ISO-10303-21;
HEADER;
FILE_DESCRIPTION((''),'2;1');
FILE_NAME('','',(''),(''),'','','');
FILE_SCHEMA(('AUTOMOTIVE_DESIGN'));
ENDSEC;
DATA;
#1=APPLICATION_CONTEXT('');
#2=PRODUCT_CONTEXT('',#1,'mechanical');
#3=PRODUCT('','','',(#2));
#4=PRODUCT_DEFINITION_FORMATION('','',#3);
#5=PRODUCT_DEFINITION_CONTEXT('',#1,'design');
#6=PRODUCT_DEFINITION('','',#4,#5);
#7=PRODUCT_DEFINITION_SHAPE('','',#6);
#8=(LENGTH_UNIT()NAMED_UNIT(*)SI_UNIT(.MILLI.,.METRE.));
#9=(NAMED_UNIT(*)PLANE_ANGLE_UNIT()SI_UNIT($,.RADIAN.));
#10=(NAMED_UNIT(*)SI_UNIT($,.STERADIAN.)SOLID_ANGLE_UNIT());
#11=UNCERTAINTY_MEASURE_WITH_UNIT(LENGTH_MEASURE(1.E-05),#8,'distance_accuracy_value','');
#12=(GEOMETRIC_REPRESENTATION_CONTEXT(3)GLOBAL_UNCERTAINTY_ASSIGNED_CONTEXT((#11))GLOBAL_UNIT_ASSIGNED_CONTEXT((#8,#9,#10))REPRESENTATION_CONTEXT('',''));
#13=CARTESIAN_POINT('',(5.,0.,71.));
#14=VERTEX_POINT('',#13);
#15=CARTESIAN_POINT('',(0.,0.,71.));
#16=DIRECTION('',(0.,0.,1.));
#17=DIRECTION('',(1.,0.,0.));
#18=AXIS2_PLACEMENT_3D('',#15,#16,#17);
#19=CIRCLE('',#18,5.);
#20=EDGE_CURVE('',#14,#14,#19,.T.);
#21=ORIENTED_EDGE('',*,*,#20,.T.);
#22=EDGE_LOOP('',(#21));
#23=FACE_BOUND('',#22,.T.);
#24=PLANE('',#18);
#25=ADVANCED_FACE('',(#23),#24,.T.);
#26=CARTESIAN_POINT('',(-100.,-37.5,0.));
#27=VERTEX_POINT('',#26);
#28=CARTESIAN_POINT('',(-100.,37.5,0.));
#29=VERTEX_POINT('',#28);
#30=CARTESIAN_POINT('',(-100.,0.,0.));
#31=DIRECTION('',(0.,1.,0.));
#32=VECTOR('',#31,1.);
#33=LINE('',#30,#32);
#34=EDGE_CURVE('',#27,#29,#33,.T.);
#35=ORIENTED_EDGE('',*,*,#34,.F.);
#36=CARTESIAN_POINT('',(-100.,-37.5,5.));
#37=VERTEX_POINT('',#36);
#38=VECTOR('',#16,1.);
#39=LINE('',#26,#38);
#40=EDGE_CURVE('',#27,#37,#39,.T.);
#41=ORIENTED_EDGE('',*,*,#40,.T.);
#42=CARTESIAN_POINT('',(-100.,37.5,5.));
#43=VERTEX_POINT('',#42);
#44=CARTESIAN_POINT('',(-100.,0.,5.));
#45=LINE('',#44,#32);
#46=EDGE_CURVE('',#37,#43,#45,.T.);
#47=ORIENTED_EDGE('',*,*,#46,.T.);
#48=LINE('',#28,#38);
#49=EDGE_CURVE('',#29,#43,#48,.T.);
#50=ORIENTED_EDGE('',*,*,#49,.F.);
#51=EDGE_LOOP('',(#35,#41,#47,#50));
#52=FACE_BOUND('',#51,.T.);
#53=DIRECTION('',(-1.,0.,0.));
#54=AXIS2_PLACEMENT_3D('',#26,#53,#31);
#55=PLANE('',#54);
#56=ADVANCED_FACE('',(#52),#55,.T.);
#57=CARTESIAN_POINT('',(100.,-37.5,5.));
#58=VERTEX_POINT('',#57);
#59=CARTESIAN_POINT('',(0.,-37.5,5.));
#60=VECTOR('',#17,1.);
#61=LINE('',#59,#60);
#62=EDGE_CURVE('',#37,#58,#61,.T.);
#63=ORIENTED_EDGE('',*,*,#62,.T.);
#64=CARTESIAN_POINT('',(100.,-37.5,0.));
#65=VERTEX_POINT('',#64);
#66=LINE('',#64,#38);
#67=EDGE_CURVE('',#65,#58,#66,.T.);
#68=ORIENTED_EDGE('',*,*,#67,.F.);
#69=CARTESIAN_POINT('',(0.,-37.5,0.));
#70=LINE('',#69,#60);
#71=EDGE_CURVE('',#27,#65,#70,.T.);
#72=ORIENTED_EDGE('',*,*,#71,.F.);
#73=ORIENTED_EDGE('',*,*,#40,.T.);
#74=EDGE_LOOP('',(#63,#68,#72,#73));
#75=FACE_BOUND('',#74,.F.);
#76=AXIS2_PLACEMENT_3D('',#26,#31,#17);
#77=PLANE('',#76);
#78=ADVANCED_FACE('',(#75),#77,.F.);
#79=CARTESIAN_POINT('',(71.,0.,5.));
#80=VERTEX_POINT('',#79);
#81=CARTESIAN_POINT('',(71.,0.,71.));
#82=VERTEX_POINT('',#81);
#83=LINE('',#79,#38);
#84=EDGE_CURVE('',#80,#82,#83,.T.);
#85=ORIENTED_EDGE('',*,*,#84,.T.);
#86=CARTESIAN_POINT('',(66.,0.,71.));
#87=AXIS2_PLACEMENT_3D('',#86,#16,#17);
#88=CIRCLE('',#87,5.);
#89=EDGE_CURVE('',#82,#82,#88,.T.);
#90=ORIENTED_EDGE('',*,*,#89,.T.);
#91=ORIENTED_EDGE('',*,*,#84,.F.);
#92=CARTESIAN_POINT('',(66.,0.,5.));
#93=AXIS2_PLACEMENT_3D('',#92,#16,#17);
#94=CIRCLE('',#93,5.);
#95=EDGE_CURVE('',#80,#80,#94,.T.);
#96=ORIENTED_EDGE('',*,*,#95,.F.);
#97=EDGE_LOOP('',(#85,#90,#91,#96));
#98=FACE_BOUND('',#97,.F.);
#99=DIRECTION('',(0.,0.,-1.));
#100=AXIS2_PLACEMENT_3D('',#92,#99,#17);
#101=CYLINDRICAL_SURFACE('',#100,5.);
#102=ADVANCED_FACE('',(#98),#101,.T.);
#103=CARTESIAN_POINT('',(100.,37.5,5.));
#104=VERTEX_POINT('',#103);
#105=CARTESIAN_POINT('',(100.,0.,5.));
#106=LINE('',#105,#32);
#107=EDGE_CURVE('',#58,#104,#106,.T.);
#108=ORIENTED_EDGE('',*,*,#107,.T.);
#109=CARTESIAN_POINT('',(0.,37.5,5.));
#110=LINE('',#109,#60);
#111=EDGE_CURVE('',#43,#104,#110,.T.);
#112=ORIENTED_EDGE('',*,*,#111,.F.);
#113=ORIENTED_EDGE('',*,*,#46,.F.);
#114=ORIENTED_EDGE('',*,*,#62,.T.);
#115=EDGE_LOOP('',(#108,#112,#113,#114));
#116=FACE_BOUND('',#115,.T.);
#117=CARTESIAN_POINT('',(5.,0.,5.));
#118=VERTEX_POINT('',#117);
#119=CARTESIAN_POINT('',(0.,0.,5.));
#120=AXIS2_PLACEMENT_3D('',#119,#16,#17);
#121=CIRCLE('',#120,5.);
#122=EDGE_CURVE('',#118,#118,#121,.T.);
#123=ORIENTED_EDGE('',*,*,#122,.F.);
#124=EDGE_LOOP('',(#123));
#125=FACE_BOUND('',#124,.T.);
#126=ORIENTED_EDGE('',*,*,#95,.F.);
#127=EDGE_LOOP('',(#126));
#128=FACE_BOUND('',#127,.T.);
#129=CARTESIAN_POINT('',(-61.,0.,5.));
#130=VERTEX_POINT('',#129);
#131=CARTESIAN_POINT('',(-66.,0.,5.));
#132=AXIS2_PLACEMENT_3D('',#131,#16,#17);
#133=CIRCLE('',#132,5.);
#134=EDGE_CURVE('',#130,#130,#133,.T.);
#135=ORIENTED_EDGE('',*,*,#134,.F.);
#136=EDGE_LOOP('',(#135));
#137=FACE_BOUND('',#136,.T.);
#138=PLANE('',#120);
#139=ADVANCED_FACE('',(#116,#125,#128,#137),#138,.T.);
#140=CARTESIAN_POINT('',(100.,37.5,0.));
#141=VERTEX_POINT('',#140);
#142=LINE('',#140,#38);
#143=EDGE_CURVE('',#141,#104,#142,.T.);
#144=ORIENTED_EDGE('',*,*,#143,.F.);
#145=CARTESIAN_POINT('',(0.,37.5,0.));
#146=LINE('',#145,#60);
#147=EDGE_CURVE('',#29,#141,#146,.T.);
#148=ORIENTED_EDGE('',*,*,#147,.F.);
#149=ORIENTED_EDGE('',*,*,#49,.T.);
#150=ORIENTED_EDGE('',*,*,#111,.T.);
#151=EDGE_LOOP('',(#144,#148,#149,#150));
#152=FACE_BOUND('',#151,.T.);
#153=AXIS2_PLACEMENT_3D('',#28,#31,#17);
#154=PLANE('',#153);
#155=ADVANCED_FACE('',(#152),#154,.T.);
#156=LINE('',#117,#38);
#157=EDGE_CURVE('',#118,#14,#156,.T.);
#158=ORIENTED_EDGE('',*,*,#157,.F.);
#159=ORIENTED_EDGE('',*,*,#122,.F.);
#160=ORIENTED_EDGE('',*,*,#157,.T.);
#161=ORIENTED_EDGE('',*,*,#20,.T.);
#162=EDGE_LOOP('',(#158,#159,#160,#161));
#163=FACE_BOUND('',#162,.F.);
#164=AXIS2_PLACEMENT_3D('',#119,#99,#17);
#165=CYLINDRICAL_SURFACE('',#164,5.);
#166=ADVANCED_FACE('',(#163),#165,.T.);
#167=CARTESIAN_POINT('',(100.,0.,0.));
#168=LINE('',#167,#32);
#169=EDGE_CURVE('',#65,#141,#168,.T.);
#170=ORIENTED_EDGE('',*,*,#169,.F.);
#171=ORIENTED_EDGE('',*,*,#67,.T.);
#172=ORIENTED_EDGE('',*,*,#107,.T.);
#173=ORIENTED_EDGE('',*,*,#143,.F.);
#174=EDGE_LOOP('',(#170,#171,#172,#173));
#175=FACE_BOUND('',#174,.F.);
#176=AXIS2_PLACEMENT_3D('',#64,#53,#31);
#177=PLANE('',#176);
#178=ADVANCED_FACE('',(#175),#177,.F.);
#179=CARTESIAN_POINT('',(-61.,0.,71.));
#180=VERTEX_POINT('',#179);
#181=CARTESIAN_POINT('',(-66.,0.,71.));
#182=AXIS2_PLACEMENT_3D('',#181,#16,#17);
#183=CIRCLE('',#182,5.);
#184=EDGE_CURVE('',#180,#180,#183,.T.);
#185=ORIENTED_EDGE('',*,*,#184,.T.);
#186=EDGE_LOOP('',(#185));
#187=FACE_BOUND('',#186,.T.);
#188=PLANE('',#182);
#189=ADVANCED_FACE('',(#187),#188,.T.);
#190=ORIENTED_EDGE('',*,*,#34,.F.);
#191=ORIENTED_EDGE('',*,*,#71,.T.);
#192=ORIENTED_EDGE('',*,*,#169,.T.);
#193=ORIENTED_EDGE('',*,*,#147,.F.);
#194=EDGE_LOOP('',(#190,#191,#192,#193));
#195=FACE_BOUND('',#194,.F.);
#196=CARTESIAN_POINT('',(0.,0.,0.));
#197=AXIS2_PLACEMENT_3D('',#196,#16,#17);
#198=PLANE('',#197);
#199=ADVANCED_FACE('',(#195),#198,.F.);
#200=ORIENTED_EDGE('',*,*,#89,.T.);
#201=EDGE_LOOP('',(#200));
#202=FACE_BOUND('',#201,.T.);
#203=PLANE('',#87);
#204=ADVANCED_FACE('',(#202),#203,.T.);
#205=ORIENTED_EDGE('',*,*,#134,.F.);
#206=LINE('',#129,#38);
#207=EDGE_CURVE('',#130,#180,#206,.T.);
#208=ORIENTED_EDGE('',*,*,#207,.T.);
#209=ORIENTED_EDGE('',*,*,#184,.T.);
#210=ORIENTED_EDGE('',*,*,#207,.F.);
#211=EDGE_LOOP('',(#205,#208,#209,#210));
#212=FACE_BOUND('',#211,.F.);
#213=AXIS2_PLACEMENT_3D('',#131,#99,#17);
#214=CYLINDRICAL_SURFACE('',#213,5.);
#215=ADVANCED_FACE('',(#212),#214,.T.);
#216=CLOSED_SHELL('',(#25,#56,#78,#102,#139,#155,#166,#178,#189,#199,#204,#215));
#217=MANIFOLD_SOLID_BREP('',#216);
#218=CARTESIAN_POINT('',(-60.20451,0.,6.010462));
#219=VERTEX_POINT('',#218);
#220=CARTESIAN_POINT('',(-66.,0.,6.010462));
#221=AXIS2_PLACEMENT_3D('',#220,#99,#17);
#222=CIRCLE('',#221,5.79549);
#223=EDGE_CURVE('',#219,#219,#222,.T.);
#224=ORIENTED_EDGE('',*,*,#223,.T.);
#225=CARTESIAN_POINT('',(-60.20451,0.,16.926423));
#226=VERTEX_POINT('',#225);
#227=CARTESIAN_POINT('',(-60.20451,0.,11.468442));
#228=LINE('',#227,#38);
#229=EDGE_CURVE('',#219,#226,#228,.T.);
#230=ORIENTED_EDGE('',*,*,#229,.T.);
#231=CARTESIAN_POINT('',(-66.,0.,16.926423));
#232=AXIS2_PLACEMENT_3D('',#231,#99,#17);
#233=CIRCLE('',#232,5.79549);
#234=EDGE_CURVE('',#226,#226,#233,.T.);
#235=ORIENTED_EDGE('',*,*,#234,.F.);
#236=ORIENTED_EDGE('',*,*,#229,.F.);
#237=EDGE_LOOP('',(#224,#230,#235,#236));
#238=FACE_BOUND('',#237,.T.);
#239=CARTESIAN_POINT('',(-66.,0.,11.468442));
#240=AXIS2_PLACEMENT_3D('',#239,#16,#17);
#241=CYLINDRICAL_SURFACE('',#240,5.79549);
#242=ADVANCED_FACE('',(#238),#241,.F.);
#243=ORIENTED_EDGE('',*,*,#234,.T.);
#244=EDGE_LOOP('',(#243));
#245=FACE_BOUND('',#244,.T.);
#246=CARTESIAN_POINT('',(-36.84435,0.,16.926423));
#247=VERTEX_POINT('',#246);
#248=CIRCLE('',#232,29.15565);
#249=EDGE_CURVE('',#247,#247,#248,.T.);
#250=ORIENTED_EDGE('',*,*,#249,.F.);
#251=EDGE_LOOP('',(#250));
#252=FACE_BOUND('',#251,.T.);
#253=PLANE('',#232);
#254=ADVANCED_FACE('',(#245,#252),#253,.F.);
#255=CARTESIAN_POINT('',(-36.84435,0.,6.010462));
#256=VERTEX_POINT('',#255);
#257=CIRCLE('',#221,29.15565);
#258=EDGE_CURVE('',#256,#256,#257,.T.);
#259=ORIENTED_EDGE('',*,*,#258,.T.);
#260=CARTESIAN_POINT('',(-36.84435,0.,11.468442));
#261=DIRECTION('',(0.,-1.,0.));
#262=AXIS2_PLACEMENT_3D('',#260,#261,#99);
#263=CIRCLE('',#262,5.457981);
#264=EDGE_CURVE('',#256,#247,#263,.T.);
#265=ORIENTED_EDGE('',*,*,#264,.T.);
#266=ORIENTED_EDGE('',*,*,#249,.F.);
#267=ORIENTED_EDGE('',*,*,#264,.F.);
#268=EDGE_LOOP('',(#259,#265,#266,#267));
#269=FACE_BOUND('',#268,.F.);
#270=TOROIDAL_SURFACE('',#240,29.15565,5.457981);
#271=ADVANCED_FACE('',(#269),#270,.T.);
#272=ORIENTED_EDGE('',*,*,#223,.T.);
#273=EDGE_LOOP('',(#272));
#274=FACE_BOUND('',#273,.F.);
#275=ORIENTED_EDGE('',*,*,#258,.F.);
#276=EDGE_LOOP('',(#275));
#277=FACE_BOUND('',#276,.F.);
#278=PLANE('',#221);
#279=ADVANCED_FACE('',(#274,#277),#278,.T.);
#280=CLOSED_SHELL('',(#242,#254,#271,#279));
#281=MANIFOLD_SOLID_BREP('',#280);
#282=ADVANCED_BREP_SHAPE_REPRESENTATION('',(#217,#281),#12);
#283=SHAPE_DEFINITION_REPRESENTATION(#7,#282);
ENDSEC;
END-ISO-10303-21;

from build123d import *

# Parameters (mm, degrees)
F0_W     = 200
F0_H     = 75
F1_DEPTH = 5
F2_R     = 5
F3_DEPTH = 66
F5_W     = 23.3601592481
F5_H     = 10.9159611166


with BuildPart() as f1:
    # F0 (on Top) → F1 (new body)
    with BuildSketch(Plane.XY):
        Rectangle(F0_W, F0_H)
    extrude(amount=F1_DEPTH)

    # F2 (on face) → F3 (join)
    with BuildSketch(Plane.XY.offset(5)):
        Circle(F2_R)
        with Locations((-66, 0)):
            Circle(F2_R)
        with Locations((66, 0)):
            Circle(F2_R)
    extrude(amount=F3_DEPTH)


with BuildPart() as f6:
    # F5 (on offset) → F6 (revolve)
    with BuildSketch(Plane.XZ):
        with Locations((-48.5244300216, 11.4684421569)):
            Rectangle(F5_W, F5_H)
        with BuildLine():
            Line((-36.8443503976, 16.9264227152), (-36.8443503976, 6.0104615986))
            ThreePointArc((-36.8443503976, 6.0104615986), (-31.3863698393, 11.4684421569), (-36.8443503976, 16.9264227152))
        make_face()
    revolve(axis=Axis((-66, 0, 5), (0, 0, -1)))


solid = Compound([f1.part, f6.part])
